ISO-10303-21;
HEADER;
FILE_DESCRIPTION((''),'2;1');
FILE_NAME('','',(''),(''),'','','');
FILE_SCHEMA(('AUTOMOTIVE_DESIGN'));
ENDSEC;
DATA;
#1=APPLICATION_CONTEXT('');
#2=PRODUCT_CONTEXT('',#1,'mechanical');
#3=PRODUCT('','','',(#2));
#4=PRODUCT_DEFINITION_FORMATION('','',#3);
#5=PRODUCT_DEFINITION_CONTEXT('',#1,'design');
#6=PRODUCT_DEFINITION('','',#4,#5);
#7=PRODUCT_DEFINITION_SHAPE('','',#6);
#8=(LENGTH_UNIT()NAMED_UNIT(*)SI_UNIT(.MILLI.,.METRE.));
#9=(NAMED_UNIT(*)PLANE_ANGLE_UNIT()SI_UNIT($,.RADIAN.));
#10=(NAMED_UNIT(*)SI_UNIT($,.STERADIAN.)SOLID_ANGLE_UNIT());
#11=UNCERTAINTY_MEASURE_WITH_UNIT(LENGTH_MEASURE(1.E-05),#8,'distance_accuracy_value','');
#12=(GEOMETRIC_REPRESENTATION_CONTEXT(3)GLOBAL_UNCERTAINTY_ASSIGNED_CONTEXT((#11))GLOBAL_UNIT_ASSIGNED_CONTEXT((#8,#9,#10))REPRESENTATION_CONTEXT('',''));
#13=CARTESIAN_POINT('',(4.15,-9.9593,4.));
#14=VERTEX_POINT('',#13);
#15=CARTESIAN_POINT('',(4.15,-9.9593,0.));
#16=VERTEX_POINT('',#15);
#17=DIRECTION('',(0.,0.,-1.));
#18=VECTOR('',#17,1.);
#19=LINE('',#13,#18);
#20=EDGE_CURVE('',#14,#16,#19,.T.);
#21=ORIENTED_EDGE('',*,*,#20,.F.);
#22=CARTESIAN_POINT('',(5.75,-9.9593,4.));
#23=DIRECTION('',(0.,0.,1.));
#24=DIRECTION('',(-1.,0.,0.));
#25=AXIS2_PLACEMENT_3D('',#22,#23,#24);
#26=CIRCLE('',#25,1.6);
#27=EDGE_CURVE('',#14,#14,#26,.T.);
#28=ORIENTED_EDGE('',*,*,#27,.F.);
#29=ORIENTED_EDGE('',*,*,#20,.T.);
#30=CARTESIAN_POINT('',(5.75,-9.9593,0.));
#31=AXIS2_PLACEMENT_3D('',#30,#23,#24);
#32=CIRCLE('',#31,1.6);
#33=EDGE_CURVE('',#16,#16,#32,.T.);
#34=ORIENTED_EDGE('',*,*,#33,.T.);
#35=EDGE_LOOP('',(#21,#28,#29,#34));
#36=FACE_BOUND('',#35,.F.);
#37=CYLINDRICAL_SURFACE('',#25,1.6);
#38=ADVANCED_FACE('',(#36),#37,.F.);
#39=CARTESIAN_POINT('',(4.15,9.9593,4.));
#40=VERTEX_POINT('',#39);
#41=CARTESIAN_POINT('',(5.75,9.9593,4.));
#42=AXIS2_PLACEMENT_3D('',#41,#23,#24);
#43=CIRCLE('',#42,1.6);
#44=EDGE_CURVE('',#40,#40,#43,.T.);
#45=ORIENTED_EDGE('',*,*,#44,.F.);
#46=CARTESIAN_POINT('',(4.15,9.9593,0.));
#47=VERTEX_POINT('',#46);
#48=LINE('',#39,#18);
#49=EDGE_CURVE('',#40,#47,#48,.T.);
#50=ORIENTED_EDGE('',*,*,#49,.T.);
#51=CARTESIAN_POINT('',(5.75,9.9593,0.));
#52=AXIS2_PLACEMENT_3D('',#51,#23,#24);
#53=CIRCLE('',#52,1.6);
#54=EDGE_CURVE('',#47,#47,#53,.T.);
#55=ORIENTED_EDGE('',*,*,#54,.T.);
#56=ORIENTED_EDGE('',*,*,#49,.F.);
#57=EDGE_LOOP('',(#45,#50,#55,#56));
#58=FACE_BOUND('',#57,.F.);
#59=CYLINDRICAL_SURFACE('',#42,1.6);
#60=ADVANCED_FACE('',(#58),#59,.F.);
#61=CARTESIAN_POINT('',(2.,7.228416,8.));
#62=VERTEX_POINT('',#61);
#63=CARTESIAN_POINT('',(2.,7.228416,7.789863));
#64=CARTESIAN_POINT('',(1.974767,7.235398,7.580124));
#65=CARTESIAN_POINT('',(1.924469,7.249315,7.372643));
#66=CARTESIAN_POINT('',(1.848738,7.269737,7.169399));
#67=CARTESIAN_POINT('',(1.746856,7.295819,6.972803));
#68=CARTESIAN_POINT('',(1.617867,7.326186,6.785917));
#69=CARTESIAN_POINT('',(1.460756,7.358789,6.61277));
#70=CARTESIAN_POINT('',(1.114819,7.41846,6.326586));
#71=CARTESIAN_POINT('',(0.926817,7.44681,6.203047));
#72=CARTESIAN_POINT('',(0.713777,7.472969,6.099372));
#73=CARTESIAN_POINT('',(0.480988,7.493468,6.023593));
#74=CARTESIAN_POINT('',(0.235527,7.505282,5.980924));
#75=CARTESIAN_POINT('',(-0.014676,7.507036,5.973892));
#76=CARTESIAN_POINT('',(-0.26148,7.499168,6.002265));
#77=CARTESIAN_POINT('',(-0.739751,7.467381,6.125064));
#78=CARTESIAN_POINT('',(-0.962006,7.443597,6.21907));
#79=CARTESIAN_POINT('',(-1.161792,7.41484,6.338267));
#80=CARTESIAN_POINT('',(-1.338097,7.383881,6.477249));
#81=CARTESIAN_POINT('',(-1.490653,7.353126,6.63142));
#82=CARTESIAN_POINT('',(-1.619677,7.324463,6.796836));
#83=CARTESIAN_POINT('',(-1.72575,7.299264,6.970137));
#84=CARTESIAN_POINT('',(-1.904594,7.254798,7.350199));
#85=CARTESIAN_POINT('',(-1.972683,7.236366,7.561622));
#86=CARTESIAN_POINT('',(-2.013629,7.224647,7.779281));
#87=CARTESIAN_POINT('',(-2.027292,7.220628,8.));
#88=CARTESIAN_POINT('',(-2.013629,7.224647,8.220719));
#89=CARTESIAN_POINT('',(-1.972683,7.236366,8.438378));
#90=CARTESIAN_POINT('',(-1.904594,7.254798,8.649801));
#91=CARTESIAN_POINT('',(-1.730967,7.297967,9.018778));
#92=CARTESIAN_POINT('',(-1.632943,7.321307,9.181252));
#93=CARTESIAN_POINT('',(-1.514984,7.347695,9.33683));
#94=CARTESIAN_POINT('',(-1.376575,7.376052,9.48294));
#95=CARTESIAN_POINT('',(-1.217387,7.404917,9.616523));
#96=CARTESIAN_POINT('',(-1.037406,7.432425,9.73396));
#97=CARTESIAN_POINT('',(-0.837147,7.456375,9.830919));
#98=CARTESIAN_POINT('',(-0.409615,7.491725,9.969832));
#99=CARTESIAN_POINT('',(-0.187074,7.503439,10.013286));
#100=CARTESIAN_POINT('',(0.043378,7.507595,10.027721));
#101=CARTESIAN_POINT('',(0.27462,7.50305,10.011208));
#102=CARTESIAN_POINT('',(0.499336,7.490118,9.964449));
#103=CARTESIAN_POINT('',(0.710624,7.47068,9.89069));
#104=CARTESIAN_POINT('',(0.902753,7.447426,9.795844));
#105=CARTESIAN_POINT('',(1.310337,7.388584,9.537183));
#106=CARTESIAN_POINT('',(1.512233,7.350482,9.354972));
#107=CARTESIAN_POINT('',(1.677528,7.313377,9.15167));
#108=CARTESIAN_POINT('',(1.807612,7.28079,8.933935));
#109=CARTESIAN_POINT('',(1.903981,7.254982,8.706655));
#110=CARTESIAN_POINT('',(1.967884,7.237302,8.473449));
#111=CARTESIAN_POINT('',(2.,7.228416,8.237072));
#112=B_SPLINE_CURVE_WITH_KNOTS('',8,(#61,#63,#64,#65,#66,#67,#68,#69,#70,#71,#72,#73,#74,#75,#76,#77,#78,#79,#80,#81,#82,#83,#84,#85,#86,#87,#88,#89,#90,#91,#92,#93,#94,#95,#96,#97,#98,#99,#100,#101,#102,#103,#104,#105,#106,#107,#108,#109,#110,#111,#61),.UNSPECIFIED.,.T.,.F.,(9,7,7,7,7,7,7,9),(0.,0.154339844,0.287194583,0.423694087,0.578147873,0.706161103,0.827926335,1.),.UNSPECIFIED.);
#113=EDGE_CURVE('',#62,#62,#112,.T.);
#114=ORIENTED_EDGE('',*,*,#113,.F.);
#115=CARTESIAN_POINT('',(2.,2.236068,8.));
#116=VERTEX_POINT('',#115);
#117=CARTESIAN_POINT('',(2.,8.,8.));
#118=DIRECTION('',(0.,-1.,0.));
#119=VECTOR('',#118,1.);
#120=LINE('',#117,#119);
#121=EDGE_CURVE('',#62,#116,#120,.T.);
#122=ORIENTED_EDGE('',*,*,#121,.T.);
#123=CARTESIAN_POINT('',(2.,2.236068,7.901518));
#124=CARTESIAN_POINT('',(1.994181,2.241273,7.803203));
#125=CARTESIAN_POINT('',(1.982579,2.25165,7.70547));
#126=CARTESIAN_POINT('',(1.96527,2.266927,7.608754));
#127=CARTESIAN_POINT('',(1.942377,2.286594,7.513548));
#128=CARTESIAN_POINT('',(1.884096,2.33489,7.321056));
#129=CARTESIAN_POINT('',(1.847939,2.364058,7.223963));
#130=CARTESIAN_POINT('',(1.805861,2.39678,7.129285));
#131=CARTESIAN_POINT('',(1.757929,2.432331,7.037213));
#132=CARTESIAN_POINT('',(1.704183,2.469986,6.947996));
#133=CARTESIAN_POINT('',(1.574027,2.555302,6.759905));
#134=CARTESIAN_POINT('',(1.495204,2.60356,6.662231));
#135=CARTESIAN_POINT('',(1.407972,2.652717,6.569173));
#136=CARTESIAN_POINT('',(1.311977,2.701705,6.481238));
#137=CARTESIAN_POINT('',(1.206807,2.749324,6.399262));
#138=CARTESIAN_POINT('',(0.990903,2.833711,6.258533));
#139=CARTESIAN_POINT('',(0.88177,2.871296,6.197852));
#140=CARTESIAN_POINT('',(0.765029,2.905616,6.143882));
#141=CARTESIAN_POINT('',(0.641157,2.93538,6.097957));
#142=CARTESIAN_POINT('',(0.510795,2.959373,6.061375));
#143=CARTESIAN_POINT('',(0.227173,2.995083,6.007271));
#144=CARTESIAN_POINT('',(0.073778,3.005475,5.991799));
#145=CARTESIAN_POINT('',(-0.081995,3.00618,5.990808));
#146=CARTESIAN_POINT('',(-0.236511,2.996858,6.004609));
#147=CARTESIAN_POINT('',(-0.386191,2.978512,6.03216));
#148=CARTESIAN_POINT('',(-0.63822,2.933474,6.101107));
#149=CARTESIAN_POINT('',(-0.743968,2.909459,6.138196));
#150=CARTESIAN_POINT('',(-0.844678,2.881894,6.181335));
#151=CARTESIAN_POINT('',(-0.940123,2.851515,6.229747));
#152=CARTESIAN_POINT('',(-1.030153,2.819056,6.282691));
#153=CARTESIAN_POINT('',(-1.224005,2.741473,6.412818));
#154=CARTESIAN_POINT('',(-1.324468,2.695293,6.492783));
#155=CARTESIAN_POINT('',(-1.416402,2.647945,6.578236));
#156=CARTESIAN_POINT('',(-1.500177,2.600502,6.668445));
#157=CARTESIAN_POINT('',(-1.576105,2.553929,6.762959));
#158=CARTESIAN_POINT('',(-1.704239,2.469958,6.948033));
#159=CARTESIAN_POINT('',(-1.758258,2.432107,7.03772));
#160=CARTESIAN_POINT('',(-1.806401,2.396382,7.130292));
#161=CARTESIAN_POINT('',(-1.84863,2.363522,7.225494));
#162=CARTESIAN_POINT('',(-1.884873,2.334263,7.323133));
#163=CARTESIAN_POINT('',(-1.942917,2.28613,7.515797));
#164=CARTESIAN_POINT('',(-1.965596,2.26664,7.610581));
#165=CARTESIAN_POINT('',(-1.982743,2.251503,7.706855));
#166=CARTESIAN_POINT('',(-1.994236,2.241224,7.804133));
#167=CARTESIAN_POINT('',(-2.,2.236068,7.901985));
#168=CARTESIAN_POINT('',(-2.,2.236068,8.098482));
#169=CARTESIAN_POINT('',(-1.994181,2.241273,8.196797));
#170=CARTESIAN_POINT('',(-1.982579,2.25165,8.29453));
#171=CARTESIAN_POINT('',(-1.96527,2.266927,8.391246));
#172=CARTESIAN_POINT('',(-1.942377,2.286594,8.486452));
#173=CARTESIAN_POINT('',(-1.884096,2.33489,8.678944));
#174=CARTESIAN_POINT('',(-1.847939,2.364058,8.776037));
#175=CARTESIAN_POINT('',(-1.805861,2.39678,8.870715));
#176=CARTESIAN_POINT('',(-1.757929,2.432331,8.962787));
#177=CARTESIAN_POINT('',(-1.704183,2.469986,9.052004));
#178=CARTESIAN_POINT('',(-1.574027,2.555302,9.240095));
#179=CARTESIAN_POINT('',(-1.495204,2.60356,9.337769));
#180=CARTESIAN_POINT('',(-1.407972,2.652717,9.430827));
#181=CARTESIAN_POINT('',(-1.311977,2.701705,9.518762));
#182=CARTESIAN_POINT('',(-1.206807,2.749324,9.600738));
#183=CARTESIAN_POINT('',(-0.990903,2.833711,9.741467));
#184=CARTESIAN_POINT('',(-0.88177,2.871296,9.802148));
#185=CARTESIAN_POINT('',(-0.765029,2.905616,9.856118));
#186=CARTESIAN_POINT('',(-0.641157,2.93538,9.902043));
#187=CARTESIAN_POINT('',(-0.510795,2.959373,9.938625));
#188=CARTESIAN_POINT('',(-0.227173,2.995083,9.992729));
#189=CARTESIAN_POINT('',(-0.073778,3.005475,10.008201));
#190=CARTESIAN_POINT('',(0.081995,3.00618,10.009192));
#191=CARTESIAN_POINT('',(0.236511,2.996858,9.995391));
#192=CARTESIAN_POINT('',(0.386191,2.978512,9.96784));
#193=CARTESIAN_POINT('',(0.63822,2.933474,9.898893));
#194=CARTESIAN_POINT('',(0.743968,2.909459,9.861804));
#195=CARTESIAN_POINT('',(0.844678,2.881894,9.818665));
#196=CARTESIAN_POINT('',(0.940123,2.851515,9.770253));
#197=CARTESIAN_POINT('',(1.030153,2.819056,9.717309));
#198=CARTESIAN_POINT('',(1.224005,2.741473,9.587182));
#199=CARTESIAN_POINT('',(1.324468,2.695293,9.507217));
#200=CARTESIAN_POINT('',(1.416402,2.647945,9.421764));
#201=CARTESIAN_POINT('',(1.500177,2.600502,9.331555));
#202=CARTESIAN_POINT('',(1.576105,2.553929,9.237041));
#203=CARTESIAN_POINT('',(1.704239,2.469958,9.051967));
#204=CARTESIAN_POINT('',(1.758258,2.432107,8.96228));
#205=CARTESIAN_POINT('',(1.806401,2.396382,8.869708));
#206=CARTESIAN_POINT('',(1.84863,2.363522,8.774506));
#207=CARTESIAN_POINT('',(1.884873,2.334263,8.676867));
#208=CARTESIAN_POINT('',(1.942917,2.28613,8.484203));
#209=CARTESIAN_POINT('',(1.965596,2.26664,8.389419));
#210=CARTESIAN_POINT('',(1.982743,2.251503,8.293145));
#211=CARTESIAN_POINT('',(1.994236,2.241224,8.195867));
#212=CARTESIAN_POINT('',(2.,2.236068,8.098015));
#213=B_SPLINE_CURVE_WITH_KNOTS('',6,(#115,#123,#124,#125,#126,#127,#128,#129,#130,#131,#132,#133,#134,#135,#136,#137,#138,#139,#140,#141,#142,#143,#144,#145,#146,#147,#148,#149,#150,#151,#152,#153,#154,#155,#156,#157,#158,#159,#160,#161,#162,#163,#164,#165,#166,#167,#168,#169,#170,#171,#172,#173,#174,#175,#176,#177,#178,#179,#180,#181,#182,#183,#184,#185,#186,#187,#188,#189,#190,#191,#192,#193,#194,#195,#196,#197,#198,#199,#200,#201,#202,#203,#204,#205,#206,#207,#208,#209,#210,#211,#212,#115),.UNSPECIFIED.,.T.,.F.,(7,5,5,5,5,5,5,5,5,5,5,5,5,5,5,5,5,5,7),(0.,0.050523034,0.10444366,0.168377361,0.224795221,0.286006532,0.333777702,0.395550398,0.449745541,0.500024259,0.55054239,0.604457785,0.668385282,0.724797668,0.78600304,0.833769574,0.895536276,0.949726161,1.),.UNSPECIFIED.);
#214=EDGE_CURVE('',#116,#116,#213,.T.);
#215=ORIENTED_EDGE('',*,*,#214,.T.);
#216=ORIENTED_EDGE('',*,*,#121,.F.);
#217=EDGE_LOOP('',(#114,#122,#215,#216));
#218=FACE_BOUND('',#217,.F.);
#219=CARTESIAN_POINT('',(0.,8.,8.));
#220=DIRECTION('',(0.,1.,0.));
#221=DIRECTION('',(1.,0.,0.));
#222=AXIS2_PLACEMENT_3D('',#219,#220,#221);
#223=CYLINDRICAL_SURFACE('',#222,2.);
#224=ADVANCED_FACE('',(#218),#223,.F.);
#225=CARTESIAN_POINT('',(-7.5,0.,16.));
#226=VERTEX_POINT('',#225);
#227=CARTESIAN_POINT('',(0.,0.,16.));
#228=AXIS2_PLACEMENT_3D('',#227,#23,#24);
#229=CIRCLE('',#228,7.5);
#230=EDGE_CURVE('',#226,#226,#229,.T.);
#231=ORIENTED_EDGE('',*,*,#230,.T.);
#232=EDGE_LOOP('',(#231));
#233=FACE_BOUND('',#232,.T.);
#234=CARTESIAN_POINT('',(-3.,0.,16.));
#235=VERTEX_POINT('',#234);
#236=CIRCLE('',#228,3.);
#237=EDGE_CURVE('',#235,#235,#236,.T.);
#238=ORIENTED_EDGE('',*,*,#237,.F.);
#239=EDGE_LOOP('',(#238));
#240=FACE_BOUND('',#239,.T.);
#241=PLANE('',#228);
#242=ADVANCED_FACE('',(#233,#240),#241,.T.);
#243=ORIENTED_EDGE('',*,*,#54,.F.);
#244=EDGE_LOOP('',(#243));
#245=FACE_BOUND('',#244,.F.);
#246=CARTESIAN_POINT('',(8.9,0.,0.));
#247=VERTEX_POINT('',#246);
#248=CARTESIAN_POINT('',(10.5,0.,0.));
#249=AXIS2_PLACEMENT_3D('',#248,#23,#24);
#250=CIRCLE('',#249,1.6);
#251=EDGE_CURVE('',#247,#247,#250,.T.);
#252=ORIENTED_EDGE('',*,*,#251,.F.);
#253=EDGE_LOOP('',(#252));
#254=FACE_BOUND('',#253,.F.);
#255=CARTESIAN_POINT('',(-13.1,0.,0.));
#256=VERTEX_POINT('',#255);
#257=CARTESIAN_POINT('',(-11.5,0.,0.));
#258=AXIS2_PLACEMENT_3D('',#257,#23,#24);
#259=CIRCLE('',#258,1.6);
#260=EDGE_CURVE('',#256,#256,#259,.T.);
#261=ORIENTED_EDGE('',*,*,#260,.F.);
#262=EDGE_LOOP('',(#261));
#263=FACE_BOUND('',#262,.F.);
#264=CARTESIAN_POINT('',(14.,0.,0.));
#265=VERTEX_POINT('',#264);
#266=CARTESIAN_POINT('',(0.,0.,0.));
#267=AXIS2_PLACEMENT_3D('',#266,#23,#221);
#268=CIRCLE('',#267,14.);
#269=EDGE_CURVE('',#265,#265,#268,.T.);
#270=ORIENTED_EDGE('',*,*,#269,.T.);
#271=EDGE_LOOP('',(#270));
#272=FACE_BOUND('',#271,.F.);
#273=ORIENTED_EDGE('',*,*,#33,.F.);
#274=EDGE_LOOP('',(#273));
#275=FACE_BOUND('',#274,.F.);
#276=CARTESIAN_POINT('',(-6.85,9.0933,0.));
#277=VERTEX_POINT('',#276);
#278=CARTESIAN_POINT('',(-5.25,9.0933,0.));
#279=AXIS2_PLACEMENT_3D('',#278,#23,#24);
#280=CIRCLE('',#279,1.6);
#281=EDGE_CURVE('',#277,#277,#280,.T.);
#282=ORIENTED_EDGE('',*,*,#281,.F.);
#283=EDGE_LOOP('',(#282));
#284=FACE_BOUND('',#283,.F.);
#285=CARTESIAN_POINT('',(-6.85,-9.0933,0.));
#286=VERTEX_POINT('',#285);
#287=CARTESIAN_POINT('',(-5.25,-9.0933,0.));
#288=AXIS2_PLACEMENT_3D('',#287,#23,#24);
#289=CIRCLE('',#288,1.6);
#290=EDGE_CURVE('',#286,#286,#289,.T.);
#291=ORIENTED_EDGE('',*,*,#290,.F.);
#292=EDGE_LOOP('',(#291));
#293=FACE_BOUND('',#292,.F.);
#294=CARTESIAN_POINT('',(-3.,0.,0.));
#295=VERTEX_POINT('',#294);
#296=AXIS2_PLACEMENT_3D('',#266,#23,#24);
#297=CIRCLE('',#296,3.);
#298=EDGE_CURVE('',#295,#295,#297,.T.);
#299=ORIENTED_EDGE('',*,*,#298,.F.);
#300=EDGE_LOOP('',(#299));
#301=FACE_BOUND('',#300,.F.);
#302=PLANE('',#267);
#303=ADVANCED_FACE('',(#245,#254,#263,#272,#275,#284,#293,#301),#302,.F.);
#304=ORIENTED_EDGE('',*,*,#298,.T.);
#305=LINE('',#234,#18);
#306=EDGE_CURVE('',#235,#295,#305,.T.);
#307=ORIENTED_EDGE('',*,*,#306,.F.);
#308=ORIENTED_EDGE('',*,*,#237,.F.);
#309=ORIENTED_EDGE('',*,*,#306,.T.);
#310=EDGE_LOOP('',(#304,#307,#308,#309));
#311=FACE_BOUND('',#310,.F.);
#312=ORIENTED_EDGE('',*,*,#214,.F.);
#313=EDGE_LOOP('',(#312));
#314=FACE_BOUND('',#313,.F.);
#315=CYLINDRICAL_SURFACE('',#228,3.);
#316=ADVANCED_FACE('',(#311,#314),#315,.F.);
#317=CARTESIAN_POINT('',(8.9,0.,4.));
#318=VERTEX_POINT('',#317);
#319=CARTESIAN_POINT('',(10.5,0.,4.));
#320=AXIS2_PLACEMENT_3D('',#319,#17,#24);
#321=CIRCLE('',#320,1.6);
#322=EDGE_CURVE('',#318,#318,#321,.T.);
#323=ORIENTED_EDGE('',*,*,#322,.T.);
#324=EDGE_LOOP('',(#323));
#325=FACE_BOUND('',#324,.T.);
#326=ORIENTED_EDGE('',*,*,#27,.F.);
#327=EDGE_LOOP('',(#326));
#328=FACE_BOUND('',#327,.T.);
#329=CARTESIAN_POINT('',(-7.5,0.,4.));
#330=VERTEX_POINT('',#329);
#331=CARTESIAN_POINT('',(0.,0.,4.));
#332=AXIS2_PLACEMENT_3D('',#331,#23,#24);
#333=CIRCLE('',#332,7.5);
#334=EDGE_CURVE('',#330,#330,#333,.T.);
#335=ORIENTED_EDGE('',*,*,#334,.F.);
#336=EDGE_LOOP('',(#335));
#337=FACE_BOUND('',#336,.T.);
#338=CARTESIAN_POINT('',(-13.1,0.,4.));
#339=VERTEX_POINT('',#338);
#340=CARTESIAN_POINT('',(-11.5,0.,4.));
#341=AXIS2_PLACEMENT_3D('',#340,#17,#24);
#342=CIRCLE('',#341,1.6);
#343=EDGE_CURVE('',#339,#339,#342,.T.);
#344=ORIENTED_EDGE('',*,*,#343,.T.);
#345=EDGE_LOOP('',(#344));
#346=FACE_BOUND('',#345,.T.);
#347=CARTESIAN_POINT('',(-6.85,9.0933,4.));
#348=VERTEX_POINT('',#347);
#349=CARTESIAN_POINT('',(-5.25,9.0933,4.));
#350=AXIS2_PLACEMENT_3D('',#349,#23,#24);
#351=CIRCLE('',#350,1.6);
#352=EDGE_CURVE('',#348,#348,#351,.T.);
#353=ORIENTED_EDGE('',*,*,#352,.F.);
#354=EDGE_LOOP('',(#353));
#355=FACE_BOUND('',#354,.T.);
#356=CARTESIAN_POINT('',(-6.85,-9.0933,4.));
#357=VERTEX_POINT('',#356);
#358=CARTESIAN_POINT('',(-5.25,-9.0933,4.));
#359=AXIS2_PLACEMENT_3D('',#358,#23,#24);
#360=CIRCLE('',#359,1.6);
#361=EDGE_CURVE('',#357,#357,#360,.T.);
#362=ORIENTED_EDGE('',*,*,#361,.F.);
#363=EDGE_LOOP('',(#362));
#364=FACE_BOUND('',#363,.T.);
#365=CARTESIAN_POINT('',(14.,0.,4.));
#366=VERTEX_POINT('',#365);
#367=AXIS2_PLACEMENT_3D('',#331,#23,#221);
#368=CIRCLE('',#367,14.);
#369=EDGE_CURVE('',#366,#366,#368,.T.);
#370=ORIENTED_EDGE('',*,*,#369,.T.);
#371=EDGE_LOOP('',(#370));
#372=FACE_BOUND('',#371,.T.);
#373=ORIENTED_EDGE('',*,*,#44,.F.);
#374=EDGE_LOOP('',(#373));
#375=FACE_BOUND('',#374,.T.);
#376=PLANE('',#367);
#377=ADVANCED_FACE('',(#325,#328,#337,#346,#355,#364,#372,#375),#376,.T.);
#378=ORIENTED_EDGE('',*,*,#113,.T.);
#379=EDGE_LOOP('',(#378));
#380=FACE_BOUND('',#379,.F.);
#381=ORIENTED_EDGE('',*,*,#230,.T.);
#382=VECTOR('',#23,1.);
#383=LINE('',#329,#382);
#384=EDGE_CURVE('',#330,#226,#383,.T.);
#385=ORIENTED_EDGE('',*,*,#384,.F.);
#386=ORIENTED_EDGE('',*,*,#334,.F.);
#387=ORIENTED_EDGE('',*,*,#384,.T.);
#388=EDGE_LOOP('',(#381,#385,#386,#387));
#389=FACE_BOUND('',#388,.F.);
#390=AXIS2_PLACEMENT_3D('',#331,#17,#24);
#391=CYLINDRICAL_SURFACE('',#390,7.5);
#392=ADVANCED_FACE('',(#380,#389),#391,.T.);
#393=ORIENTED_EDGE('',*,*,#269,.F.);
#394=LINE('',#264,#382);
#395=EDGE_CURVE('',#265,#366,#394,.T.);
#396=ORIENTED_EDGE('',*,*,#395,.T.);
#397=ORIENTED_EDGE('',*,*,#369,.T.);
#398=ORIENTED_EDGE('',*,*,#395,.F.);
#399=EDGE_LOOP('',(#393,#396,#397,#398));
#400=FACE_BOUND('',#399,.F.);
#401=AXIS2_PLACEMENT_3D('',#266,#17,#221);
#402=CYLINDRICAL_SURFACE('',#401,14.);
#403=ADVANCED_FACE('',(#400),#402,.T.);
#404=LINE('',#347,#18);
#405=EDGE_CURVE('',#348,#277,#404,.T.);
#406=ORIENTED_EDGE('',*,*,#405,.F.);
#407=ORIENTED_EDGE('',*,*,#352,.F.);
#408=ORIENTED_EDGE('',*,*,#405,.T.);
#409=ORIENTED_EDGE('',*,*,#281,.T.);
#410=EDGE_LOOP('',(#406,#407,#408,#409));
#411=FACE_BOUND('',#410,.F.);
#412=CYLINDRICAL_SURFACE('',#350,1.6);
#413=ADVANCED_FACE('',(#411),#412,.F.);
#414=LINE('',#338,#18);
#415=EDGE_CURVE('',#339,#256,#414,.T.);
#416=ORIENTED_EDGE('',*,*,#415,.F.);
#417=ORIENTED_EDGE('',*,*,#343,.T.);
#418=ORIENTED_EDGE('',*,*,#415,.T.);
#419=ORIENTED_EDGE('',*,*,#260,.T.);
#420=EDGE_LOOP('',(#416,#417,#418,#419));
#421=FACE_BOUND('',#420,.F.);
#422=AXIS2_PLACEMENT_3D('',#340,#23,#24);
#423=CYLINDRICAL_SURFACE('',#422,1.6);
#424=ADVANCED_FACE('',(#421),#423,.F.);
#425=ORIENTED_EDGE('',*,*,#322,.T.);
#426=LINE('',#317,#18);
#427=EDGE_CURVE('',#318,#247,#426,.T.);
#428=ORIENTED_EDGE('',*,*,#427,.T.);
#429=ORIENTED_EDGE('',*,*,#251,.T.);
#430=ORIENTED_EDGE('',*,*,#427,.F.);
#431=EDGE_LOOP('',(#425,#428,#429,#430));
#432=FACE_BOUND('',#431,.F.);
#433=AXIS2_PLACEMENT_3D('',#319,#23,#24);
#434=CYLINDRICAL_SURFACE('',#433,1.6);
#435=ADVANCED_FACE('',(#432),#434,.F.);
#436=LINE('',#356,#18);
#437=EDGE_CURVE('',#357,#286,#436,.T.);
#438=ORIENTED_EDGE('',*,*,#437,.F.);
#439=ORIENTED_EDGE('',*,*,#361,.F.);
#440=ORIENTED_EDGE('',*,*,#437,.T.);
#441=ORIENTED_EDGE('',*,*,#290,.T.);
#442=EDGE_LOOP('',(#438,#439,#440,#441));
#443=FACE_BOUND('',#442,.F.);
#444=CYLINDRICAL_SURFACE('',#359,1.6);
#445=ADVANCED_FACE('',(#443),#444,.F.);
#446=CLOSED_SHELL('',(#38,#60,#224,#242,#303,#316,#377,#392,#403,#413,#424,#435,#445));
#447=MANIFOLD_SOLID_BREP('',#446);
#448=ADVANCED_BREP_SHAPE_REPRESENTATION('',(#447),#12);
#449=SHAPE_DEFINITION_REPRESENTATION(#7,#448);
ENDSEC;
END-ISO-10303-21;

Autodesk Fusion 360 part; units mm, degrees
sketch "草图1" plane through (0, 0, 0) normal (0, 0, 1) x (1, 0, 0)
  circle A0 centre (0, 0) radius 14
  dimension "d1" = 28
extrude "拉伸1" add sketch "草图1" along normal blind 4 makes body 1
sketch "草图2" plane through (0, 0, 4) normal (0, 0, 1) x (-1, 0, 0)
  circle A0 centre (0, 0) radius 14
  circle A1 centre (0, 0) radius 11.5 construction
  line L0 (13, 0) -> (-13, 0)
  circle A2 centre (11.5, 0) radius 1.6
  circle A3 centre (-5.75, 9.9593) radius 1.6
  circle A4 centre (-5.75, -9.9593) radius 1.6
  circle A5 centre (0, 0) radius 10.5 construction
  circle A6 centre (-10.5, 0) radius 1.6
  circle A7 centre (5.25, -9.0933) radius 1.6
  circle A8 centre (5.25, 9.0933) radius 1.6
  dimension "d4" = 23
  dimension "d5" = 3.2
  dimension "d7" = 360
  dimension "d8" = 21
  dimension "d9" = 3.2
  dimension "d11" = 360
extrude "拉伸2" cut sketch "草图2" against normal blind 4 contours L0 A6 | L0 A6 | A2 | A3 | A4 | A7 | A8 bodies 1
sketch "草图3" plane through (0, 0, 4) normal (0, 0, 1) x (-1, 0, 0)
  circle A0 centre (-5.75, -9.9593) radius 1.6
  circle A1 centre (11.5, 0) radius 1.6
  circle A2 centre (-10.5, 0) radius 1.6
  circle A3 centre (5.25, 9.0933) radius 1.6
  circle A4 centre (5.25, -9.0933) radius 1.6
  circle A5 centre (-5.75, 9.9593) radius 1.6
  circle A6 centre (0, 0) radius 14
  circle A7 centre (0, 0) radius 7.5
  dimension "d14" = 15
extrude "拉伸3" add sketch "草图3" along normal blind 12 contours A7 bodies 1
sketch "草图4" plane through (0, 0, 16) normal (0, 0, 1) x (-1, 0, 0)
  circle A0 centre (0, 0) radius 7.5
  circle A1 centre (0, 0) radius 3
  dimension "d17" = 6
extrude "拉伸4" cut sketch "草图4" against normal blind 16 contours A1 bodies 1
ref_plane "工作平面1" through (0, 8, 0) normal (0, 1, 0) x (0, 0, 1)
sketch "草图5" plane through (0, 8, 0) normal (0, 1, 0) x (1, 0, 0)
  line L0 (0, -14) -> (0, 7)
  circle A0 centre (0, -8) radius 2
  dimension "d21" = 4
  dimension "d22" = 8
extrude "拉伸5" cut sketch "草图5" against normal blind 8 bodies 1
copy_body "实体->零部件1" bodies 1 removing the originals makes body 2 in component "Component'"
component "Component'" placed x (1, 0, 0) y (0, 1, 0) z (0, 0, 1) at (0, 0, 0)
